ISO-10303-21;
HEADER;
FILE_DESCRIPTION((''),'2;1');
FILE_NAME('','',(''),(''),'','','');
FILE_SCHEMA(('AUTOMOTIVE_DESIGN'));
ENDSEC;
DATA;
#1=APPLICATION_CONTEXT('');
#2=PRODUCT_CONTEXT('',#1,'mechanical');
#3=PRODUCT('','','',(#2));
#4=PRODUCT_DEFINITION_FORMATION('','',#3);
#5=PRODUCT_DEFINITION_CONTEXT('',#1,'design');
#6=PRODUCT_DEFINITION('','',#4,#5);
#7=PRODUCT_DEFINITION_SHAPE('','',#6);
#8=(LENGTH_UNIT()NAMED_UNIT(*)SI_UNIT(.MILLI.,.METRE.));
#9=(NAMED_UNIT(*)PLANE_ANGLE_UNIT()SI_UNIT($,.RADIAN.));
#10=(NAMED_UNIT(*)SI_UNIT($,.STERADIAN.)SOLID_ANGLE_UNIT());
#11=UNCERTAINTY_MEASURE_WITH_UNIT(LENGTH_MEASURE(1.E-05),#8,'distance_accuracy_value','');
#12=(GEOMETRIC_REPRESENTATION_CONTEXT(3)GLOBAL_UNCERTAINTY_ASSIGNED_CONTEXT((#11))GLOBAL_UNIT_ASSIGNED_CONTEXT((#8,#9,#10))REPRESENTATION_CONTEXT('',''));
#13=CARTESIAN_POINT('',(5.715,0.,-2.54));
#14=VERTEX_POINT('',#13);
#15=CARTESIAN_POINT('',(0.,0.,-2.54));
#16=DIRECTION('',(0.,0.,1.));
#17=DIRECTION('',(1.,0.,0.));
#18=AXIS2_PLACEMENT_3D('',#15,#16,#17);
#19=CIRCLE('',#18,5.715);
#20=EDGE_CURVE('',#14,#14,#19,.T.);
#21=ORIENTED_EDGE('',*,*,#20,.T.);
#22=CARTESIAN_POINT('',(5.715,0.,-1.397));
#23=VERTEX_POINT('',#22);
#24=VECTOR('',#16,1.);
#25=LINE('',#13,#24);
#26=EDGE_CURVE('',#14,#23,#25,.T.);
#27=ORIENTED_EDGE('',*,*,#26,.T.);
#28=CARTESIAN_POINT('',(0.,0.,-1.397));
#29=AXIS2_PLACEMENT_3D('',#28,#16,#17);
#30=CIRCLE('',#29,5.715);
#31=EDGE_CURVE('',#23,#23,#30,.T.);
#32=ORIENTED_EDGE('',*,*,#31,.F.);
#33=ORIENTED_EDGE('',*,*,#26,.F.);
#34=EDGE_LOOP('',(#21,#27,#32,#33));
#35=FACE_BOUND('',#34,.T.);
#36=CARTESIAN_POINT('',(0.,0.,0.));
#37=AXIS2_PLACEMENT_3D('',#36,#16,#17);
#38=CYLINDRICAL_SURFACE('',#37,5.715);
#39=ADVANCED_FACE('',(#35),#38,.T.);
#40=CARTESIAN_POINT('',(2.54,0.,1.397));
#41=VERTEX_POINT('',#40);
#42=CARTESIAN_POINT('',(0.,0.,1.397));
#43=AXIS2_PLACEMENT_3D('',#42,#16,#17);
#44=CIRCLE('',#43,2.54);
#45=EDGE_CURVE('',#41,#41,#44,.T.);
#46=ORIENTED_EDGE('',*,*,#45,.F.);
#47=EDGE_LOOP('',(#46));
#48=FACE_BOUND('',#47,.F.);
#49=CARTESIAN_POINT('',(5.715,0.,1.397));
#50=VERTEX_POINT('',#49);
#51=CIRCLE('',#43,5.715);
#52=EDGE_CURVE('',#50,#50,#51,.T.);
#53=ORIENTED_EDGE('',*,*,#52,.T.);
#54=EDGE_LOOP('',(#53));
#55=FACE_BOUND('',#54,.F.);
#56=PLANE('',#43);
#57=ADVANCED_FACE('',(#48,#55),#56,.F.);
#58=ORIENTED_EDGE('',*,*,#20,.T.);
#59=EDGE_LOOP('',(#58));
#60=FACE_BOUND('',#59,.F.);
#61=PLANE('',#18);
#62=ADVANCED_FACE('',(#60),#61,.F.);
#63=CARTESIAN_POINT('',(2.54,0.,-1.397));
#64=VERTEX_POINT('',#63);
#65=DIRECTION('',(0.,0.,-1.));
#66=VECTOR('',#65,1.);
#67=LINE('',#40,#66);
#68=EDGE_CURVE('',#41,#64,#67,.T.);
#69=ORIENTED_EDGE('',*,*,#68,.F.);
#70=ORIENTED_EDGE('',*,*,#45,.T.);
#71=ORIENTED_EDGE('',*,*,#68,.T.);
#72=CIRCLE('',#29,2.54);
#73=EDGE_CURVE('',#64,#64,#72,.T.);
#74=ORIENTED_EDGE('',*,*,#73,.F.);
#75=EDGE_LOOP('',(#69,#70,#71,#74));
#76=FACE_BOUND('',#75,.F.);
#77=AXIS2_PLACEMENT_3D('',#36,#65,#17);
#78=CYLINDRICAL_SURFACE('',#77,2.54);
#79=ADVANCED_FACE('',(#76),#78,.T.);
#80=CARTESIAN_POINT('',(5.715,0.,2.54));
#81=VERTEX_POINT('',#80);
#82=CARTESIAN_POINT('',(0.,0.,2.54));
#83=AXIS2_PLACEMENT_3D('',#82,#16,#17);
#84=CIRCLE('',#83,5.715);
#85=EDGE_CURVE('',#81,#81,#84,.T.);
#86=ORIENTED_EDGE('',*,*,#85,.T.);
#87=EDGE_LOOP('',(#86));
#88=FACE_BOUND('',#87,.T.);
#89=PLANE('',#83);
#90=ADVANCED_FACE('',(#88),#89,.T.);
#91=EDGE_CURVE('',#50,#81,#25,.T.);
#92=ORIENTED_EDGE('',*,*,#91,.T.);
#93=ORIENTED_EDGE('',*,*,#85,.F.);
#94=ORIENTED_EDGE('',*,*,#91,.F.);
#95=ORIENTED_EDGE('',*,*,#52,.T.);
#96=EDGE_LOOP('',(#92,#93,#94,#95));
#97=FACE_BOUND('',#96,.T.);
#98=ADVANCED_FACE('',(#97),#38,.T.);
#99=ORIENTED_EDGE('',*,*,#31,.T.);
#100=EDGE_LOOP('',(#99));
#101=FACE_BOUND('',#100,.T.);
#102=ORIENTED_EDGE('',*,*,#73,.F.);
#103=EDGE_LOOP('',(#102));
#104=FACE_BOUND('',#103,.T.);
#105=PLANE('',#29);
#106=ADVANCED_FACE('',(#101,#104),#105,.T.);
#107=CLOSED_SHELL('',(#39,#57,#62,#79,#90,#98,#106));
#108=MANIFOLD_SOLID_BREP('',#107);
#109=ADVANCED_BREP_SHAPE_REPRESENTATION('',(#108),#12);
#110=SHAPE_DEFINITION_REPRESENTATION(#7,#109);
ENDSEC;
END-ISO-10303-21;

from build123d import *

# Parameters (mm, degrees)
F0_R     = 5.715
F0_R_2   = 2.54
F1_DEPTH = 2.54
F2_DEPTH = 1.397


with BuildPart() as f1:
    # F0 (on Top) → F1 (new body, symmetric)
    with BuildSketch(Plane.XY):
        Circle(F0_R)
        Circle(F0_R_2, mode=Mode.SUBTRACT)
        Circle(F0_R_2)
    extrude(amount=F1_DEPTH, both=True)

    # F0 (on Top) → F2 (cut, symmetric)
    with BuildSketch(Plane.XY):
        Circle(F0_R)
        Circle(F0_R_2, mode=Mode.SUBTRACT)
    extrude(amount=F2_DEPTH, both=True, mode=Mode.SUBTRACT)


solid = f1.part
